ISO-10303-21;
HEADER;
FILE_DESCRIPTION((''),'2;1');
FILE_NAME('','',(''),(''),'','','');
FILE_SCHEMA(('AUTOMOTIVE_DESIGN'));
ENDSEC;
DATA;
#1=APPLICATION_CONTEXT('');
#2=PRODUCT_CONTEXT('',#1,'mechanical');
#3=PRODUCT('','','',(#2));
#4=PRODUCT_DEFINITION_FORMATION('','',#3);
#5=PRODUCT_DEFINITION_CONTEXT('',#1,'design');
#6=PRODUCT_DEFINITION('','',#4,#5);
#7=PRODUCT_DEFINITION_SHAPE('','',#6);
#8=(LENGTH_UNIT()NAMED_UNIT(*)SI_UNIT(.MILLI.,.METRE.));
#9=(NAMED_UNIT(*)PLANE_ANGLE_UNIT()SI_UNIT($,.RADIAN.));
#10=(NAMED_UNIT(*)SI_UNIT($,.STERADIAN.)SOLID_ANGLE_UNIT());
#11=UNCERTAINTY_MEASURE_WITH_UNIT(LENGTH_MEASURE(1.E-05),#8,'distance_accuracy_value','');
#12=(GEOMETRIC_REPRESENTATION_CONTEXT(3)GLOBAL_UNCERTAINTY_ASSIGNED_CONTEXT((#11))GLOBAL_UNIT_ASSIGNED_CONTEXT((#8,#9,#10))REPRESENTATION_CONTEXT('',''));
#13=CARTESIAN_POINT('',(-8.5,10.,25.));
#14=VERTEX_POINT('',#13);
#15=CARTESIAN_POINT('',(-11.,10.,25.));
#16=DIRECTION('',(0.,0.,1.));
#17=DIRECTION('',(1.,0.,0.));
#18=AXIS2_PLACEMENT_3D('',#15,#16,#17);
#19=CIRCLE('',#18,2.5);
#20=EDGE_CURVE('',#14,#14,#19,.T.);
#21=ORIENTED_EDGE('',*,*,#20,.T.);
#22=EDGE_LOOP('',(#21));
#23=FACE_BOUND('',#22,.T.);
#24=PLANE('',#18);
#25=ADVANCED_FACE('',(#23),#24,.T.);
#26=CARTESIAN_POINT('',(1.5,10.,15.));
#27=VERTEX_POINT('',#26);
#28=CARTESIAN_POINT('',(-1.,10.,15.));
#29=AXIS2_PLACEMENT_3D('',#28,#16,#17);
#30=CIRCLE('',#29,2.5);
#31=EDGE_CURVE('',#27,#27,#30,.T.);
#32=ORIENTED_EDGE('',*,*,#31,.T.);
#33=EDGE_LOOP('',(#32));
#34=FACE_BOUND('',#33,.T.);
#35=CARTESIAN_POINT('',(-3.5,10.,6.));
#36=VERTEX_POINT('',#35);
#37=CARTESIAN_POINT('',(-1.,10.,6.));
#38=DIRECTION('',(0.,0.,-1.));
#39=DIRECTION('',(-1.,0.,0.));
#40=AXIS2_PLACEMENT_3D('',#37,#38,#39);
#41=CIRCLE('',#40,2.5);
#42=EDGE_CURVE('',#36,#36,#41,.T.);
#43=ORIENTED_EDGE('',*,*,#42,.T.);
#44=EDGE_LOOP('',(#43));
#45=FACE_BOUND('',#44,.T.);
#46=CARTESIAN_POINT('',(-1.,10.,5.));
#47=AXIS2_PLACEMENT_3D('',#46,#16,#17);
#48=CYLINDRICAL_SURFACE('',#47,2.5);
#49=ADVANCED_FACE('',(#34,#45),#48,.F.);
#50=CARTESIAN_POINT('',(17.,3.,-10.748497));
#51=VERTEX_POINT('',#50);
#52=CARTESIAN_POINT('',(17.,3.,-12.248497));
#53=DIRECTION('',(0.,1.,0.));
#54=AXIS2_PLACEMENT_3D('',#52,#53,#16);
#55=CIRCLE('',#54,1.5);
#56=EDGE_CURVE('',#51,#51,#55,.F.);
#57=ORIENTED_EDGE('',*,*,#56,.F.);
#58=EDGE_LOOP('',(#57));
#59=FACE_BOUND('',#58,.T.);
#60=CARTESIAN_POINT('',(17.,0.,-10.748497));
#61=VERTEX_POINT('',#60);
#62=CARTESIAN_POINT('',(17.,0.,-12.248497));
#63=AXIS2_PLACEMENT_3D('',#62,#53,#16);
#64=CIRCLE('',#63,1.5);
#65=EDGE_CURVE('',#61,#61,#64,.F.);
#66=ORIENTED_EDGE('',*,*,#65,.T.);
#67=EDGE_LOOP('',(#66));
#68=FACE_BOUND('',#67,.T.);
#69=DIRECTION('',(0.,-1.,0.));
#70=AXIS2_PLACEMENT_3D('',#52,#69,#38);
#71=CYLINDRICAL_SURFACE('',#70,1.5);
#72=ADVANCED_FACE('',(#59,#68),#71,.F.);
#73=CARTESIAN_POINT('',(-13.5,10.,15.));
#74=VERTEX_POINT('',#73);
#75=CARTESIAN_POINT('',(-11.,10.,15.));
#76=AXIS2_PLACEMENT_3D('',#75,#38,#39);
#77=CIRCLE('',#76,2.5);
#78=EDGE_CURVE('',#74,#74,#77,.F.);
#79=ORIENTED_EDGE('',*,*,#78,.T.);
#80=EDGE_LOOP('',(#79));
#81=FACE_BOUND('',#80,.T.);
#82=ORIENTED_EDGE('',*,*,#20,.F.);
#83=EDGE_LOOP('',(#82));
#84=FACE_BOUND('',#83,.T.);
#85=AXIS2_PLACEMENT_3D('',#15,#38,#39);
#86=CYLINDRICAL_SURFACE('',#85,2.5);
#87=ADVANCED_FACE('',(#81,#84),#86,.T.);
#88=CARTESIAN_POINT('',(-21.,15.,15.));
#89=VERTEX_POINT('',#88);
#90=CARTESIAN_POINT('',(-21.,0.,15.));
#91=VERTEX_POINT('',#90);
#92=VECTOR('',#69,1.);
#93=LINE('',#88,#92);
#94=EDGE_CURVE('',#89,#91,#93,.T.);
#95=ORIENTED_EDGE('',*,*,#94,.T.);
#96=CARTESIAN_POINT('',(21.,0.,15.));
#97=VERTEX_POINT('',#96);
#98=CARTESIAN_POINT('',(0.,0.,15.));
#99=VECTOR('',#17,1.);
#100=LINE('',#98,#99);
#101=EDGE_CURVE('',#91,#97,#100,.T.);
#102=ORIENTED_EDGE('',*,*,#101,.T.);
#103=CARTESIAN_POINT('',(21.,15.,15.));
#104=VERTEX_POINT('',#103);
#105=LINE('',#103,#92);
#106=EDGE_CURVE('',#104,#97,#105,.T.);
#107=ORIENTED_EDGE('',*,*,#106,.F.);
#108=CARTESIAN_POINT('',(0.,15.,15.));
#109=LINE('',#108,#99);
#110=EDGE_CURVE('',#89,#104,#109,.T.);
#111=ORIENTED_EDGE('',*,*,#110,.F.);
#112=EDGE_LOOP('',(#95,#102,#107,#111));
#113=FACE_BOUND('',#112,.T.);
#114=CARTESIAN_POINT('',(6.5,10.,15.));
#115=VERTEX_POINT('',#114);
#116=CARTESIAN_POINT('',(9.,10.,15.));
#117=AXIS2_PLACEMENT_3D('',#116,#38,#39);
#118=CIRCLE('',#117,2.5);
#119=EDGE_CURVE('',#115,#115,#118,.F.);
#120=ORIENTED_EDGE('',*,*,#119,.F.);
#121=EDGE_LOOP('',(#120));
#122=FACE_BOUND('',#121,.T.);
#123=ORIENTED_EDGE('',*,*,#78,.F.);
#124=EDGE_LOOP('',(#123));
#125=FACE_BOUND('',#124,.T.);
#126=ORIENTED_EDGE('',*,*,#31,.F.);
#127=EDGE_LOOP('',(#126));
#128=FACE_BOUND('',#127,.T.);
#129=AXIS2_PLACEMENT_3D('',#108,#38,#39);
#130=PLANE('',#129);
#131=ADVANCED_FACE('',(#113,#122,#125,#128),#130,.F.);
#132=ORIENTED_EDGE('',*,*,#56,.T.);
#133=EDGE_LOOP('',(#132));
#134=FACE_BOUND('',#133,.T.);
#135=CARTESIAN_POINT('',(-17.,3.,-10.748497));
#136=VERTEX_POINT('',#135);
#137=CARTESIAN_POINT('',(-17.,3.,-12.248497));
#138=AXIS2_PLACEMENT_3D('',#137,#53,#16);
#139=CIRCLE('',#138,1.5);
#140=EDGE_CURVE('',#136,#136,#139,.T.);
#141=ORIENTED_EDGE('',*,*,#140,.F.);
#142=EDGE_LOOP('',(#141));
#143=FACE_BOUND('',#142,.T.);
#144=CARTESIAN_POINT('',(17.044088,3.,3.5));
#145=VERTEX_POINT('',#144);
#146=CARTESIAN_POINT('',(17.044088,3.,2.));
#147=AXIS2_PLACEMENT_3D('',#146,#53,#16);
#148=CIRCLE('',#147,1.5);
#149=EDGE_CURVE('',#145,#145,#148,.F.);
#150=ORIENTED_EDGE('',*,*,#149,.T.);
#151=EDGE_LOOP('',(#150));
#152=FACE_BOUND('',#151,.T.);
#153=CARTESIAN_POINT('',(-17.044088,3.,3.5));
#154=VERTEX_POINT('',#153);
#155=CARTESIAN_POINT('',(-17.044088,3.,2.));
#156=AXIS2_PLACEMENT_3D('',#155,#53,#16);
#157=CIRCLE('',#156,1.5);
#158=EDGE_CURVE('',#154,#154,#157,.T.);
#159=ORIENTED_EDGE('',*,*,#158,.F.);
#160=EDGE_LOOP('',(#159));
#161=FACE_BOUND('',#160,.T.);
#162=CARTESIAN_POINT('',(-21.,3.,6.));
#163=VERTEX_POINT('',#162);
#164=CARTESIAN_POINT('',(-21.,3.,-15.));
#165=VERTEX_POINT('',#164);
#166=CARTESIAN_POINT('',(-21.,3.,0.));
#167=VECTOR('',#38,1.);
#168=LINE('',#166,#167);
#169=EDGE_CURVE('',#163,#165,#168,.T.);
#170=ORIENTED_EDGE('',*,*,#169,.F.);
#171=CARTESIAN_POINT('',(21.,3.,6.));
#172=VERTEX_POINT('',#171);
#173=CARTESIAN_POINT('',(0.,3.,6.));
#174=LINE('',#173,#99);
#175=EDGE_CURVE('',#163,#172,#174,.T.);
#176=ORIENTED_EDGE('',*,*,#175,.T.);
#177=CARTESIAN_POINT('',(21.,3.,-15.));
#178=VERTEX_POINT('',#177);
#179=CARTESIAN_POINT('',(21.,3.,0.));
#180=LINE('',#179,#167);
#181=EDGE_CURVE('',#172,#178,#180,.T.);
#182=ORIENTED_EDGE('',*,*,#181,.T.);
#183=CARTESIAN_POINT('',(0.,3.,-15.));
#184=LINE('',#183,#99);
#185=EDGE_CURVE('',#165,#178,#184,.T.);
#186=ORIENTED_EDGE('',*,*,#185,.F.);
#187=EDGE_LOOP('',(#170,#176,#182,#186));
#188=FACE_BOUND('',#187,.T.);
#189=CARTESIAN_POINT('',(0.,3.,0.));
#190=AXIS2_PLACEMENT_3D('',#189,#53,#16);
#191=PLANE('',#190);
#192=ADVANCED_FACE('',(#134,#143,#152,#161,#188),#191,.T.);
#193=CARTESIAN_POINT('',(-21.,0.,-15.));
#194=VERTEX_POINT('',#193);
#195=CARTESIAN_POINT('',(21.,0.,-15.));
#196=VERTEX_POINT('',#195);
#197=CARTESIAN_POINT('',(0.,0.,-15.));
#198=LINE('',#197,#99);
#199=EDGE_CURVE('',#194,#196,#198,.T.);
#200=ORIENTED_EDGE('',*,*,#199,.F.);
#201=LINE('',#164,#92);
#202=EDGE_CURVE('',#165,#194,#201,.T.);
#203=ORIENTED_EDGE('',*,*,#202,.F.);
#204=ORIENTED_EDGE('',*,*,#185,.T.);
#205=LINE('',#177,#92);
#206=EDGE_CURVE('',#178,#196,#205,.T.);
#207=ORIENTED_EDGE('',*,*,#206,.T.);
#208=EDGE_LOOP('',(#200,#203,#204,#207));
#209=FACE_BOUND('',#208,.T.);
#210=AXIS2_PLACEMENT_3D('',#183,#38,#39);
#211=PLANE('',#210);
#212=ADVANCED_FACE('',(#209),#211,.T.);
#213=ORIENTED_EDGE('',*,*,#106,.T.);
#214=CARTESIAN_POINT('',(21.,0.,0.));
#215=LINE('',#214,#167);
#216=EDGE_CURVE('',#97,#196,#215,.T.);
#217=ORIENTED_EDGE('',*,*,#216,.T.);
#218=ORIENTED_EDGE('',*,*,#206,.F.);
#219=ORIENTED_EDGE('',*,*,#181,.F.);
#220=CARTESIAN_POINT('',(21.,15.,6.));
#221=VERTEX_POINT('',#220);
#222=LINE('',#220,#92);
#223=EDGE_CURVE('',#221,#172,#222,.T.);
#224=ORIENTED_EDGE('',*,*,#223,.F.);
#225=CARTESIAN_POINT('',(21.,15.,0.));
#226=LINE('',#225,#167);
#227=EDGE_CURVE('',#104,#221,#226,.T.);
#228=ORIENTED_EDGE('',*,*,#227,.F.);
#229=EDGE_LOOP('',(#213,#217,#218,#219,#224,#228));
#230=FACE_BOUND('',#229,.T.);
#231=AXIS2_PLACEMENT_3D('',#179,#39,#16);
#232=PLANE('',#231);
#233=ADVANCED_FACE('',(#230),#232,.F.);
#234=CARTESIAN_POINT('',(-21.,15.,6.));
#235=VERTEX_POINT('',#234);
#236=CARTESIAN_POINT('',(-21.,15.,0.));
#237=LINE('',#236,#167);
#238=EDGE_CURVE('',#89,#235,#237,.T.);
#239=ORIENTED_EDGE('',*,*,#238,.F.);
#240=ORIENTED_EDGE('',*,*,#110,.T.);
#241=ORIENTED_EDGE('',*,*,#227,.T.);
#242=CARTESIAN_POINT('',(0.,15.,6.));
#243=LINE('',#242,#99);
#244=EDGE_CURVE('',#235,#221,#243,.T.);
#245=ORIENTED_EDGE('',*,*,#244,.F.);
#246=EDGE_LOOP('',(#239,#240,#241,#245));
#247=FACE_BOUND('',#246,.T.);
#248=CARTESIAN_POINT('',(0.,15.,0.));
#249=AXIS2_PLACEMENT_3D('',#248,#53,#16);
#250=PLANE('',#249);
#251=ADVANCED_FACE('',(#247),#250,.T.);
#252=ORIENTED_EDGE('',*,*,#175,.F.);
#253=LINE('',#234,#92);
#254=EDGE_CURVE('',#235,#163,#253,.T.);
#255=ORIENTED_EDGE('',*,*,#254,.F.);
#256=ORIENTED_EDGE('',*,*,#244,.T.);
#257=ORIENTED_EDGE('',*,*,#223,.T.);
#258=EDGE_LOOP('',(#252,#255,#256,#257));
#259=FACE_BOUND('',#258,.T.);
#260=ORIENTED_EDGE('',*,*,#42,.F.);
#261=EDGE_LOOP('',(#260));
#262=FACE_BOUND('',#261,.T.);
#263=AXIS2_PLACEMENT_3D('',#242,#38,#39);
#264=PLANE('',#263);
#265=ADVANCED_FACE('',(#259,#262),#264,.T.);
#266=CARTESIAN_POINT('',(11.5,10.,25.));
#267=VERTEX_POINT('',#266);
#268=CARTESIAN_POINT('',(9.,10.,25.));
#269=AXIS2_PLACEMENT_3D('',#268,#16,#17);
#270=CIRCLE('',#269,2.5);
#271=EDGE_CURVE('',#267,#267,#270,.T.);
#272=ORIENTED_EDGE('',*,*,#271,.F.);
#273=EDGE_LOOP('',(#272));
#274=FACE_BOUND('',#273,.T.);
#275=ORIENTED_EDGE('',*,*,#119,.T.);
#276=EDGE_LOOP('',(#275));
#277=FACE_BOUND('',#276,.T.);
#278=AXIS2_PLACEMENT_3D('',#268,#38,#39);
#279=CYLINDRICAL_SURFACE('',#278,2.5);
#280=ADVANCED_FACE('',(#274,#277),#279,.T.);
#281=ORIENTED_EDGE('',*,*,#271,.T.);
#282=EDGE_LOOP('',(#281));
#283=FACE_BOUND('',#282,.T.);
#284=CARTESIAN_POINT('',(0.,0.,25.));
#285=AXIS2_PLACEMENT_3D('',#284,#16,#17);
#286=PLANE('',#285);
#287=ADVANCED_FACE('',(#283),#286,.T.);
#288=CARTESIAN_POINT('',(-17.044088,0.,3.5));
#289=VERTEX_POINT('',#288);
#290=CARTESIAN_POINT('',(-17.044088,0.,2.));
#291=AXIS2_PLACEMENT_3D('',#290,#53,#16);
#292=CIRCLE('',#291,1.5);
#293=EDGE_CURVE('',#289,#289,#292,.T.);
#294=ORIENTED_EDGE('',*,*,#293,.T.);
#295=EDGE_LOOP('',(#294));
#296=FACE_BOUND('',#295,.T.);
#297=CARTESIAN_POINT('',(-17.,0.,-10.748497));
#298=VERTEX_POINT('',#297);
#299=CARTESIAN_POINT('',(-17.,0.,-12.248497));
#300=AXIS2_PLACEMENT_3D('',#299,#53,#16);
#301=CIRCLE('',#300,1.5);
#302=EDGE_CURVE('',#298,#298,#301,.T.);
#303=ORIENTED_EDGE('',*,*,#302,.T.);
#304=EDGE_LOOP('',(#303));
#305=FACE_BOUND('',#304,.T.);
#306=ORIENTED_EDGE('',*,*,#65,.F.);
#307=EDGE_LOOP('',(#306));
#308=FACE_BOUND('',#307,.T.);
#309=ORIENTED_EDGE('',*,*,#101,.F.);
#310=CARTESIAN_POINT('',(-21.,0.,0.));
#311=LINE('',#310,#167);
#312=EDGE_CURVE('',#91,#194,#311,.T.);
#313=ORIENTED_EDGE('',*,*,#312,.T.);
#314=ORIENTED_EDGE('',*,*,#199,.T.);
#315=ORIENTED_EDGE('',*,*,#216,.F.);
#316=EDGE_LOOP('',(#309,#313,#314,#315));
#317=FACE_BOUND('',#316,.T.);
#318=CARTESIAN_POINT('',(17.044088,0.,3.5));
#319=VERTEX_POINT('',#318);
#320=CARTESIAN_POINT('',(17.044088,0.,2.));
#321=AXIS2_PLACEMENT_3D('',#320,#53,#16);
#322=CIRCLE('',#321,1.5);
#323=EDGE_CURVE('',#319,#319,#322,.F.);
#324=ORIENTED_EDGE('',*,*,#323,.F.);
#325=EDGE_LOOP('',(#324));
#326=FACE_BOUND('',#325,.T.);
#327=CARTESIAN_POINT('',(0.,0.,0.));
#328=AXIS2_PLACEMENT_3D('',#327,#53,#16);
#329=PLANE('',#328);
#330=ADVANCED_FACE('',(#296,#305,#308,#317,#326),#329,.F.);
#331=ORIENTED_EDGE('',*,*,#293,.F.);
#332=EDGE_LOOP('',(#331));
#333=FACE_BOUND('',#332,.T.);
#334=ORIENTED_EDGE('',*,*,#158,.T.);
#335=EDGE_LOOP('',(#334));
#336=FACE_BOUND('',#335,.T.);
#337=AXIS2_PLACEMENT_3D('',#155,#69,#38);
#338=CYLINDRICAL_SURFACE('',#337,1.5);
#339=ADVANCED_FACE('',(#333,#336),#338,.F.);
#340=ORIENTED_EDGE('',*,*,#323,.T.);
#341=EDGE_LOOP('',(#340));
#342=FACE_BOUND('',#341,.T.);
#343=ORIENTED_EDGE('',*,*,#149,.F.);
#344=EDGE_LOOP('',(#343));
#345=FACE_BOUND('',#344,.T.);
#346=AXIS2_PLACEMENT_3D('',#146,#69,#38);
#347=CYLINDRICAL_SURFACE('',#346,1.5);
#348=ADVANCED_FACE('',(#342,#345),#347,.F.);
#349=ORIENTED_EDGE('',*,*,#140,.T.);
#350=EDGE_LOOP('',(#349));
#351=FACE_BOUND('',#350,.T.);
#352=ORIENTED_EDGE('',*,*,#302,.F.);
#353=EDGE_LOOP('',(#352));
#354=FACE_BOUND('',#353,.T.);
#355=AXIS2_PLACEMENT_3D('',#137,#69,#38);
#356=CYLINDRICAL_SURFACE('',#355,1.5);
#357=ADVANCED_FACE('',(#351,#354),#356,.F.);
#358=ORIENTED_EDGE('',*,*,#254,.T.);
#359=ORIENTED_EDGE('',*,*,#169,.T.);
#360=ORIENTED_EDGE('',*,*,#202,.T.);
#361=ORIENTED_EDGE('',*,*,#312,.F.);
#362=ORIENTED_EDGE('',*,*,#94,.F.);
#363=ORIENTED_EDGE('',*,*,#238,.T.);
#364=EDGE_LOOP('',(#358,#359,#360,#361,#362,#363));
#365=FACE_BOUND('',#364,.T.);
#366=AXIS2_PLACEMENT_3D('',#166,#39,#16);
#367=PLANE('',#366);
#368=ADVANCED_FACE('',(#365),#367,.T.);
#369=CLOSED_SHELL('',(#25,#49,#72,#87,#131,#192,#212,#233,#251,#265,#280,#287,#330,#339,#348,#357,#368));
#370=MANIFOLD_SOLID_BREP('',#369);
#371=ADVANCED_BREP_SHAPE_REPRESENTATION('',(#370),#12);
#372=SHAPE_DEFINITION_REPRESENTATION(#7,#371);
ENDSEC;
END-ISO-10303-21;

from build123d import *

# Parameters (mm, degrees)
SKETCH1_W           = 42
SKETCH1_H           = 21
SKETCH1_R           = 1.5
BOSS_EXTRUDE1_DEPTH = 3
SKETCH1_3_W         = 42
SKETCH1_3_H         = 9
BOSS_EXTRUDE2_DEPTH = 15
SKETCH2_R           = 2.5
BOSS_EXTRUDE3_DEPTH = 10
SKETCH2_4_R         = 2.5
CUT_EXTRUDE2_DEPTH  = 10


with BuildPart() as part:
    # Sketch1 → Boss-Extrude1 (new body)
    with BuildSketch(Plane(origin=(0, 0, 0), x_dir=(1, 0, 0), z_dir=(0, 1, 0))):
        with Locations((0, 4.5)):
            Rectangle(SKETCH1_W, SKETCH1_H)
        with Locations((-17.044088176, -2)):
            Circle(SKETCH1_R, mode=Mode.SUBTRACT)
        with Locations((17.044088176, -2)):
            Circle(SKETCH1_R, mode=Mode.SUBTRACT)
        with Locations((-17, 12.248496994)):
            Circle(SKETCH1_R, mode=Mode.SUBTRACT)
        with Locations((17, 12.248496994)):
            Circle(SKETCH1_R, mode=Mode.SUBTRACT)
    extrude(amount=BOSS_EXTRUDE1_DEPTH)

    # Sketch1<3> → Boss-Extrude2 (add)
    with BuildSketch(Plane(origin=(0, 0, 0), x_dir=(1, 0, 0), z_dir=(0, 1, 0))):
        with Locations((0, -10.5)):
            Rectangle(SKETCH1_3_W, SKETCH1_3_H)
    extrude(amount=BOSS_EXTRUDE2_DEPTH)

    # Sketch2 → Boss-Extrude3 (add)
    with BuildSketch(Plane.XY.offset(15)):
        with Locations((9, 10)):
            Circle(SKETCH2_R)
        with Locations((-11, 10)):
            Circle(SKETCH2_R)
    extrude(amount=BOSS_EXTRUDE3_DEPTH)

    # Sketch2<4> → Cut-Extrude2 (cut)
    with BuildSketch(Plane.XY.offset(15)):
        with Locations((-1, 10)):
            Circle(SKETCH2_4_R)
    extrude(amount=-CUT_EXTRUDE2_DEPTH, mode=Mode.SUBTRACT)


solid = part.part
